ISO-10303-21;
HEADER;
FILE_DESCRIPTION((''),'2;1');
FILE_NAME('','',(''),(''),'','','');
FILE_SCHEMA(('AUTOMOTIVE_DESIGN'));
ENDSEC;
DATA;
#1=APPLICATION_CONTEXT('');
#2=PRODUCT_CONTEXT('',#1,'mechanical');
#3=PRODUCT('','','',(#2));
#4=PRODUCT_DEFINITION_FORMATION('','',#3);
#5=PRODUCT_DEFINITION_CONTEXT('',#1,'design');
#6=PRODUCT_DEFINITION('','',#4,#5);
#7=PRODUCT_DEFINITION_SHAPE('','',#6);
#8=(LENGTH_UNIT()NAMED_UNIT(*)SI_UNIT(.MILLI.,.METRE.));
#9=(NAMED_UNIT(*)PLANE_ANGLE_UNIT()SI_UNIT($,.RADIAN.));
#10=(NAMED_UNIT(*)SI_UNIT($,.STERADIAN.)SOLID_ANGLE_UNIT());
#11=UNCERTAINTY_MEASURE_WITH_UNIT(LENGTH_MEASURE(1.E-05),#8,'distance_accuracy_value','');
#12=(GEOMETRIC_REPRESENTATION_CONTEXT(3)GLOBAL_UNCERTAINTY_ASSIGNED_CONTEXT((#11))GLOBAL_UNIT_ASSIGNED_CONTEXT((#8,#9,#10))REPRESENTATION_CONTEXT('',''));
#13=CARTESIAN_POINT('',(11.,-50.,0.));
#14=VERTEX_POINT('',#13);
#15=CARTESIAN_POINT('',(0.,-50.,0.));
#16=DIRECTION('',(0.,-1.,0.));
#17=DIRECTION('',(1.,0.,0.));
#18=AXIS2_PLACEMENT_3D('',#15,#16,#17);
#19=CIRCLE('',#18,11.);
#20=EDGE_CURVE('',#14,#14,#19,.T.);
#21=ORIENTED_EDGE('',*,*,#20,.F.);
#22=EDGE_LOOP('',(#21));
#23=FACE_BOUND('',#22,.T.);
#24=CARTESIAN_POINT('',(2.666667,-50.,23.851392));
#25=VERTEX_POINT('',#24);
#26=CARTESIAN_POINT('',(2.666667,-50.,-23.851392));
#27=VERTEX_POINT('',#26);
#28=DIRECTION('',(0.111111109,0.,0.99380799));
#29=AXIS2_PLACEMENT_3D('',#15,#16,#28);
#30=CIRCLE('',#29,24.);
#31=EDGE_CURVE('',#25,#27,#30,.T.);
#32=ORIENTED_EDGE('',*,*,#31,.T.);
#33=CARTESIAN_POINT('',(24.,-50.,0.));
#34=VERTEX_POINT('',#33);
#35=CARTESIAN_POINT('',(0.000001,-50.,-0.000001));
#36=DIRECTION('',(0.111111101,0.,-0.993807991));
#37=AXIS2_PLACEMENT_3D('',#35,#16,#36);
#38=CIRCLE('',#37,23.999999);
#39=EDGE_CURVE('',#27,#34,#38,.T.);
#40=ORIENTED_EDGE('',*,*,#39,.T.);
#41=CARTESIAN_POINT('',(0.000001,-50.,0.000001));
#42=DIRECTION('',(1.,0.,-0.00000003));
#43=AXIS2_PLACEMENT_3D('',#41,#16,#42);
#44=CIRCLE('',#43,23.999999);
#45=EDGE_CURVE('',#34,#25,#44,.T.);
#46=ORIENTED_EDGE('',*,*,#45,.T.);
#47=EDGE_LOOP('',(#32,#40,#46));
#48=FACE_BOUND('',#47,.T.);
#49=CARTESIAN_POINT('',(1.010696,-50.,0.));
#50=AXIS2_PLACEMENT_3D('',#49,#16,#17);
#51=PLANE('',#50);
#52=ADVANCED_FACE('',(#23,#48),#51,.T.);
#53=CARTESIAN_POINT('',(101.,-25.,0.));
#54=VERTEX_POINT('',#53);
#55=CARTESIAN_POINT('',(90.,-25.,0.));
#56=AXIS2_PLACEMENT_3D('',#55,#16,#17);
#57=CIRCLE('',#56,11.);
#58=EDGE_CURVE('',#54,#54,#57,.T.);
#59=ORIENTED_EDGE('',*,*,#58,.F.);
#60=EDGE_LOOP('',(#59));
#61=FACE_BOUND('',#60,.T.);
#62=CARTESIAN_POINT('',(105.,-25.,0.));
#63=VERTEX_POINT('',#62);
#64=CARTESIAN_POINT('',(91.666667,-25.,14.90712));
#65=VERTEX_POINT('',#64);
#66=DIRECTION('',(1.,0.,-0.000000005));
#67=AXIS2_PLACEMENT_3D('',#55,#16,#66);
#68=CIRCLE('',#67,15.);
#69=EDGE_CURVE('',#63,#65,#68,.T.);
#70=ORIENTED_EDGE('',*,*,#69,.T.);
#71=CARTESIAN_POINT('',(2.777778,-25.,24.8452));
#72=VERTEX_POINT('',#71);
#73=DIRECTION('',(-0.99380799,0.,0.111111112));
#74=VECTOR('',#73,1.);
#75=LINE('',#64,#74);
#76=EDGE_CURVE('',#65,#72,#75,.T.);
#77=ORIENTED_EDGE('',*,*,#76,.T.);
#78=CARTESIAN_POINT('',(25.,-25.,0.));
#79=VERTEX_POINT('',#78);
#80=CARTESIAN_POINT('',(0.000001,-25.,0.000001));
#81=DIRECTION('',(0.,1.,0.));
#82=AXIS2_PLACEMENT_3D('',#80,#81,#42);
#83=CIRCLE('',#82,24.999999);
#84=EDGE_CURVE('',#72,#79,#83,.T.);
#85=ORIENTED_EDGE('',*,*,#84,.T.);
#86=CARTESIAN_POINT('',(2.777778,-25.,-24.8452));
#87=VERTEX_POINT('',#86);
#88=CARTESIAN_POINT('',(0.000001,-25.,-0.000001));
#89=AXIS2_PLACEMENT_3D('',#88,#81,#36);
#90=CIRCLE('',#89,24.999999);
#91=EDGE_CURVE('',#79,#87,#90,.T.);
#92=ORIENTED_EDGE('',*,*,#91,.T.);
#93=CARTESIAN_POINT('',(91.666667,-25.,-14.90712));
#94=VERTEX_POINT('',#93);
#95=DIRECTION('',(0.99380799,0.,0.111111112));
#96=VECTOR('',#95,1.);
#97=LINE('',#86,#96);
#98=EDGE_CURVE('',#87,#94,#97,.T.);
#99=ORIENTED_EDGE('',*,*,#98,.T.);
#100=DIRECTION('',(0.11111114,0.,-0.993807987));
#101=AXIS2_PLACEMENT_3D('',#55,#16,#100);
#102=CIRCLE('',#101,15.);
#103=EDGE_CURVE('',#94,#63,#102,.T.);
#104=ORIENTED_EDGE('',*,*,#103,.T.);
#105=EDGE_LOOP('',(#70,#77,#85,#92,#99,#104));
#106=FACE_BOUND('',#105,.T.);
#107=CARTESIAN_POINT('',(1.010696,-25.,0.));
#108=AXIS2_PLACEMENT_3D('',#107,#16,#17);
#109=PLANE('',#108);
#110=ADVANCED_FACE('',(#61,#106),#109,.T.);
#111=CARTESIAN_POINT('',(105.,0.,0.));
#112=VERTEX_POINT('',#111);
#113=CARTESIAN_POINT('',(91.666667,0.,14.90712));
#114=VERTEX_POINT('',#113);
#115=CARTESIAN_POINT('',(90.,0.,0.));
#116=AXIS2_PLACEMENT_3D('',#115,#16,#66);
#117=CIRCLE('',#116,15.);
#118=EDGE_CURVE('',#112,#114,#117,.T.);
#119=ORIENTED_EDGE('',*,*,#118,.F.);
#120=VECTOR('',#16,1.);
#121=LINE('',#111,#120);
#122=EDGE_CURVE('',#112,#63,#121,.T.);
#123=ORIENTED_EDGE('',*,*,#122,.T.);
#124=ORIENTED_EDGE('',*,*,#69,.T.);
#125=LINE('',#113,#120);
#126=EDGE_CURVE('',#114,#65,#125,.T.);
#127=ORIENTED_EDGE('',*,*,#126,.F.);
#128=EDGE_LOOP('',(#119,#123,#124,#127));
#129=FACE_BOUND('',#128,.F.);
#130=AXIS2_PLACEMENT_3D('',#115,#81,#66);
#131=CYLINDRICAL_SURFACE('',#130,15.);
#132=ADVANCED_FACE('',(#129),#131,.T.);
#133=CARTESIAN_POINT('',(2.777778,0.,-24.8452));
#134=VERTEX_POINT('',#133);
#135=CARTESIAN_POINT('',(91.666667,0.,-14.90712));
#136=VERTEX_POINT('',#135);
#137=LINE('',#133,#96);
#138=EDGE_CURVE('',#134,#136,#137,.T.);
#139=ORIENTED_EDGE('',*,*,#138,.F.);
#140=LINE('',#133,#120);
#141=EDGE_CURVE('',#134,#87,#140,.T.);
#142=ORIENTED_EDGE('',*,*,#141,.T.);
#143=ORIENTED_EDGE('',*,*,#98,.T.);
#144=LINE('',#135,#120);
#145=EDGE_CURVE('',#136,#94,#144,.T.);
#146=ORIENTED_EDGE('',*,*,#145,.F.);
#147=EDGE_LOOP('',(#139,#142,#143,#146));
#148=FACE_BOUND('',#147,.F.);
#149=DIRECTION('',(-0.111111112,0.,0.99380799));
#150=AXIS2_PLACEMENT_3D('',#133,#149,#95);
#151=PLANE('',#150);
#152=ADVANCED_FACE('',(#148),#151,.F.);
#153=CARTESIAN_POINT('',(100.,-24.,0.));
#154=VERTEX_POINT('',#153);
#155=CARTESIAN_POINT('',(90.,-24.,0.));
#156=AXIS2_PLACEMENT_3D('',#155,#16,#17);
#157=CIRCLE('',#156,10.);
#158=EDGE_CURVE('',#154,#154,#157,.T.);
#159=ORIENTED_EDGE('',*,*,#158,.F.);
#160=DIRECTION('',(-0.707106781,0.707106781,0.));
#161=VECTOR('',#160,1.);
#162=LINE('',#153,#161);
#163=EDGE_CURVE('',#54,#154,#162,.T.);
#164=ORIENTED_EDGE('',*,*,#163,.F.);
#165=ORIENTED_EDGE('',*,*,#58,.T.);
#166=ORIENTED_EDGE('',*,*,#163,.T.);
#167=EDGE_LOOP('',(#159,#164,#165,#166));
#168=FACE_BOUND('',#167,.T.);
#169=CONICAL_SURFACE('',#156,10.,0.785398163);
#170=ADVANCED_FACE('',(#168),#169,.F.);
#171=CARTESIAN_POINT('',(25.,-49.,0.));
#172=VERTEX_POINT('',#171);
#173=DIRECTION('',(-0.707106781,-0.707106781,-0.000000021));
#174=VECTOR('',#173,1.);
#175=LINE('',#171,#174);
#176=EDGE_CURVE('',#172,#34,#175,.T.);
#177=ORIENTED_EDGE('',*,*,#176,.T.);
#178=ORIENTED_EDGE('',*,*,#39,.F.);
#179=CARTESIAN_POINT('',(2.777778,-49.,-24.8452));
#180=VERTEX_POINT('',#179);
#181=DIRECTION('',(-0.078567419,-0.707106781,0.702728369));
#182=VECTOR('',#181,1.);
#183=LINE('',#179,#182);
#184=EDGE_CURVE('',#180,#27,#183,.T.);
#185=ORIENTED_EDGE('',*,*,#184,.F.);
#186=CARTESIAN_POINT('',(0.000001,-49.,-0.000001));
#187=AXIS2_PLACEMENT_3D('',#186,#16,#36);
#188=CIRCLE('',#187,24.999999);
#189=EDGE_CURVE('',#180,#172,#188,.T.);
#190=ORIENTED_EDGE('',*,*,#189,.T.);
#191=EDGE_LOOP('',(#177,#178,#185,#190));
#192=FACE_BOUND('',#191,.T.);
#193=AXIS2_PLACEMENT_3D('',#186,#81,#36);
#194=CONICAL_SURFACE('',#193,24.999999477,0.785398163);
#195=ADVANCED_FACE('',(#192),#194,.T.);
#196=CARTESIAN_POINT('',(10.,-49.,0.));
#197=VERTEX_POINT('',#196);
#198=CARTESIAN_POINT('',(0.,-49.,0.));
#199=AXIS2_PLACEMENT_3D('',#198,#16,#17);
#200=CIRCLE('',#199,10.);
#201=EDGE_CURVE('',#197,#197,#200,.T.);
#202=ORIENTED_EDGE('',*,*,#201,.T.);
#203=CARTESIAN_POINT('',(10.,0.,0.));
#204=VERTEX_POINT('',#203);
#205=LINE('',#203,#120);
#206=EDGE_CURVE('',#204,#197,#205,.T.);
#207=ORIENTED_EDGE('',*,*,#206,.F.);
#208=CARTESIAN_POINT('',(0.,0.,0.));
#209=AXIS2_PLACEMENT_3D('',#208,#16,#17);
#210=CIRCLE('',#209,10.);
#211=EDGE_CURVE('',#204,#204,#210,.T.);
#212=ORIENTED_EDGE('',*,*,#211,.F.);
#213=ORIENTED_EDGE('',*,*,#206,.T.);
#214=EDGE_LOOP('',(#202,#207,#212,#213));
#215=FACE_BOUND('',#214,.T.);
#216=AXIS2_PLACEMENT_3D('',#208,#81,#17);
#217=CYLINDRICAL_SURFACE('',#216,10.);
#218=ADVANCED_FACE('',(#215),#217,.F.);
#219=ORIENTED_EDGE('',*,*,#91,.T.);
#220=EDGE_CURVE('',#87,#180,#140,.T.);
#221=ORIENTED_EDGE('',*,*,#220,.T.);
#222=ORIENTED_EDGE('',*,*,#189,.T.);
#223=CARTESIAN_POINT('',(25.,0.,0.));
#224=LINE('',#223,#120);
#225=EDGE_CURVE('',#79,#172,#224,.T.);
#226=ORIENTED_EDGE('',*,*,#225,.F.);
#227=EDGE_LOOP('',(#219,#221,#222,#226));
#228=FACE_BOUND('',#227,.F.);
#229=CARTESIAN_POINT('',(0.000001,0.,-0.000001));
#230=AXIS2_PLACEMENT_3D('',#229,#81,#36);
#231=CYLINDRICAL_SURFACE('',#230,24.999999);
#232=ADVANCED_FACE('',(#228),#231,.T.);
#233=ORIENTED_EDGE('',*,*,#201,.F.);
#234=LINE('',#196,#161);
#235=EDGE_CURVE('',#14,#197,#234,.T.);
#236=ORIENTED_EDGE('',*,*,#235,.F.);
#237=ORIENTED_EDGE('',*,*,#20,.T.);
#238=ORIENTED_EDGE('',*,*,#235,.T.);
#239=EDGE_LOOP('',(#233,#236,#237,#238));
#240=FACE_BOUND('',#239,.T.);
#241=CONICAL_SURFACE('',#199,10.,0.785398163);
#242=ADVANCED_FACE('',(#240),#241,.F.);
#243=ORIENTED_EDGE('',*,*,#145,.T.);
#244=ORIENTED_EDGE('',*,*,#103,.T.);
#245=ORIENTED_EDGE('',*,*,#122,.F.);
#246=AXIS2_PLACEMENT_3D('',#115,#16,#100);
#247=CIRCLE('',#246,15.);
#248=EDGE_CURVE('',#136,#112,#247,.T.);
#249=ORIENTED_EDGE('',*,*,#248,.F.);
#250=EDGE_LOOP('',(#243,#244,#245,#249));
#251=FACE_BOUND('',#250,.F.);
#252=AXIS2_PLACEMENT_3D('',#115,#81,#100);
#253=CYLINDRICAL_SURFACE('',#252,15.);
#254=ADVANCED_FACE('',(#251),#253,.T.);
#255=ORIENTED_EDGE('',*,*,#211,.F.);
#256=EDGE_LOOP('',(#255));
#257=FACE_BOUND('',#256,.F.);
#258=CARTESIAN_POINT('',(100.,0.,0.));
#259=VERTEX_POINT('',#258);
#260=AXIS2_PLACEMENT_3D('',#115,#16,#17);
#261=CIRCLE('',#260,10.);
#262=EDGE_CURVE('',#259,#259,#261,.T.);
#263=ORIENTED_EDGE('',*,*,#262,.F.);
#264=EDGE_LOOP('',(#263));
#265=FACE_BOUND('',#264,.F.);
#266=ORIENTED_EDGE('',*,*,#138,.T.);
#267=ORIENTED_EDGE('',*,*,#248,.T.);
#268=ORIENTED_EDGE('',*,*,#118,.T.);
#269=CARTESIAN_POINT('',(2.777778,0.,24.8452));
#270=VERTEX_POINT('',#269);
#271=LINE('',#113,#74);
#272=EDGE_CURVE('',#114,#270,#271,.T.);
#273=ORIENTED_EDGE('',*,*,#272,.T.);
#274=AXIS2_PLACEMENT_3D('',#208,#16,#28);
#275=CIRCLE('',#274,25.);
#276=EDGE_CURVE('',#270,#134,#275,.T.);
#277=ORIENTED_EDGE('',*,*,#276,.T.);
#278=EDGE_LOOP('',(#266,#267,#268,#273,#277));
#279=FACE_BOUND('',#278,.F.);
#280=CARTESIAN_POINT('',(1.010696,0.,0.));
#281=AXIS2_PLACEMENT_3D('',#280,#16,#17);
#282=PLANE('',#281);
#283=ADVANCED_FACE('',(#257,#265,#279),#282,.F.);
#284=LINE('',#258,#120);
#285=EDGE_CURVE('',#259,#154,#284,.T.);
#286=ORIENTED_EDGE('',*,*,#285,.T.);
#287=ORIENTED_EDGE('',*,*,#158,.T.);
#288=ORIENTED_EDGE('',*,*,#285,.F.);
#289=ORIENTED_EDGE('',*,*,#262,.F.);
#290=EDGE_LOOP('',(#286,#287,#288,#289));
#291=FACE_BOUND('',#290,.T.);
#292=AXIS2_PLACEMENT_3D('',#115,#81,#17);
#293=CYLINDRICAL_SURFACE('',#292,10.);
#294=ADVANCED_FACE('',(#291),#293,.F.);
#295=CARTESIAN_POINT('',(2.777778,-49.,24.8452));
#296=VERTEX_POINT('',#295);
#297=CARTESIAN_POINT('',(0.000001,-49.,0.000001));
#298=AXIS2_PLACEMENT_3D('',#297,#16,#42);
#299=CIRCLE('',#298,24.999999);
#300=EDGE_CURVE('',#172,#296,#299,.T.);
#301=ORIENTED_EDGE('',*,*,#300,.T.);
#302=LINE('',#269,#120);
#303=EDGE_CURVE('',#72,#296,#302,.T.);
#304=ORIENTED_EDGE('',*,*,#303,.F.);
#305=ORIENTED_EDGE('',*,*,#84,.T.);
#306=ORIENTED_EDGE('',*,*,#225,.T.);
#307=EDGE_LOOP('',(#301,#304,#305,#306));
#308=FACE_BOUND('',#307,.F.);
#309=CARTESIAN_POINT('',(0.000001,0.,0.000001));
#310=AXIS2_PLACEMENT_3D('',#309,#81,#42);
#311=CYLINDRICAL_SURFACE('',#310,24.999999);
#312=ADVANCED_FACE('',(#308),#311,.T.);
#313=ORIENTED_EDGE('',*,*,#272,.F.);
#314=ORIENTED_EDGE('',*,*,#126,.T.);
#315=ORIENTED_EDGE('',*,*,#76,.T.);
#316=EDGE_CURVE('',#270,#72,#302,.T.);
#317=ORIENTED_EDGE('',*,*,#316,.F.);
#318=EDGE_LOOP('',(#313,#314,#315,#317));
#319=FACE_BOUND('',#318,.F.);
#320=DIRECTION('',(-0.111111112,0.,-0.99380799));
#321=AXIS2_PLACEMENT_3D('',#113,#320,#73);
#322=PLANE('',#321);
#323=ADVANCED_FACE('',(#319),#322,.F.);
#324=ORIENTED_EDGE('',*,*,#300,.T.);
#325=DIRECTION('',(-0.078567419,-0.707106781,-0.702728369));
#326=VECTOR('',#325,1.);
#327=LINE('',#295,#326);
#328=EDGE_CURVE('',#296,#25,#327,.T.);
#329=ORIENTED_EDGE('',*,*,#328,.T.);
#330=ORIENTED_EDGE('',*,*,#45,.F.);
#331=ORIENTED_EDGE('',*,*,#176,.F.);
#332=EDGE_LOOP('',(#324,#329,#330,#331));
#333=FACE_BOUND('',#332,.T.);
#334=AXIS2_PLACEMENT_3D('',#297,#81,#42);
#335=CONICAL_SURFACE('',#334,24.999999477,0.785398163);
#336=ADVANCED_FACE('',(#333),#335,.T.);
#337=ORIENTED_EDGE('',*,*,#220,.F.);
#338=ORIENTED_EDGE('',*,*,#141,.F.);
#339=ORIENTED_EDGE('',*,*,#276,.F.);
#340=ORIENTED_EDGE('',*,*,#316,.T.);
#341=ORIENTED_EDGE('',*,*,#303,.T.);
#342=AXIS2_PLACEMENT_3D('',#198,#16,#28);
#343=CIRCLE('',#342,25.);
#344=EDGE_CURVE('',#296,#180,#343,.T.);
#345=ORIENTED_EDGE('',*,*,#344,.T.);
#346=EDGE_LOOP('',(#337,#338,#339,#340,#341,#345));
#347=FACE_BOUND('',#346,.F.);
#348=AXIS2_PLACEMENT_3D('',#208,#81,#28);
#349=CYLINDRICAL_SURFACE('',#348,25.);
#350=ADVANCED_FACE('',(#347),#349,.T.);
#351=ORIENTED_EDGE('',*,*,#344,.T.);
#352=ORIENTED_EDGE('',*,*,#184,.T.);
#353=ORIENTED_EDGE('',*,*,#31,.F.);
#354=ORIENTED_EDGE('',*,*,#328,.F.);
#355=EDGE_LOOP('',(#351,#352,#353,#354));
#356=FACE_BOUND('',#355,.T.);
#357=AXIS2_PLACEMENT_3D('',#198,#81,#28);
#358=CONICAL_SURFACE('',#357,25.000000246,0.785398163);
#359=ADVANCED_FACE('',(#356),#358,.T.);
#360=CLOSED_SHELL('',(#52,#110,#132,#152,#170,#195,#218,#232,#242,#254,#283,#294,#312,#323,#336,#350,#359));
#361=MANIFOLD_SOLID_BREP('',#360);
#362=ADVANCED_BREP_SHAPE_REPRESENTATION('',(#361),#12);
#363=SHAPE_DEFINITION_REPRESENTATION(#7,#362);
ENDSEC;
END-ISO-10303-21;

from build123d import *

# Parameters (mm, degrees)
F0_R     = 10
F1_DEPTH = 25
F2_DEPTH = 50
F3_SIZE  = 1
F4_SIZE  = 1


with BuildPart() as f1:
    # F0 (on Front) → F1 (new body)
    with BuildSketch(Plane.XZ):
        with BuildLine():
            ThreePointArc((2.777778, -24.8452), (18.6339, -16.666667), (25, 0))
            ThreePointArc((25, 0), (18.6339, 16.666667), (2.777778, 24.8452))
            ThreePointArc((2.777778, 24.8452), (-25, 0), (2.777778, -24.8452))
        make_face()
        Circle(F0_R, mode=Mode.SUBTRACT)
        with BuildLine():
            ThreePointArc((2.777778, 24.8452), (18.6339, 16.666667), (25, 0))
            ThreePointArc((25, 0), (18.6339, -16.666667), (2.777778, -24.8452))
            Line((2.777778, -24.8452), (91.666667, -14.90712))
            ThreePointArc((91.666667, -14.90712), (75, 0), (91.666667, 14.90712))
            Line((91.666667, 14.90712), (2.777778, 24.8452))
        make_face()
        with BuildLine():
            ThreePointArc((105, 0), (101.18034, 10), (91.666667, 14.90712))
            ThreePointArc((91.666667, 14.90712), (75, 0), (91.666667, -14.90712))
            ThreePointArc((91.666667, -14.90712), (101.18034, -10), (105, 0))
        make_face()
        with Locations((90, 0)):
            Circle(F0_R, mode=Mode.SUBTRACT)
    extrude(amount=F1_DEPTH)

    # F0 (on Front) → F2 (join)
    with BuildSketch(Plane.XZ):
        with BuildLine():
            ThreePointArc((2.777778, -24.8452), (18.6339, -16.666667), (25, 0))
            ThreePointArc((25, 0), (18.6339, 16.666667), (2.777778, 24.8452))
            ThreePointArc((2.777778, 24.8452), (-25, 0), (2.777778, -24.8452))
        make_face()
        Circle(F0_R, mode=Mode.SUBTRACT)
    extrude(amount=F2_DEPTH)

    # F3
    f3_edges = [f1.edges().sort_by_distance(p)[0] for p in [
        (-2.777778, -50, 24.8452),
    ]]
    chamfer(f3_edges, length=F3_SIZE)

    # F4
    f4_edges = [f1.edges().sort_by_distance(p)[0] for p in [
        (80, -25, 0),
        (-10, -50, 0),
    ]]
    chamfer(f4_edges, length=F4_SIZE)


solid = f1.part
